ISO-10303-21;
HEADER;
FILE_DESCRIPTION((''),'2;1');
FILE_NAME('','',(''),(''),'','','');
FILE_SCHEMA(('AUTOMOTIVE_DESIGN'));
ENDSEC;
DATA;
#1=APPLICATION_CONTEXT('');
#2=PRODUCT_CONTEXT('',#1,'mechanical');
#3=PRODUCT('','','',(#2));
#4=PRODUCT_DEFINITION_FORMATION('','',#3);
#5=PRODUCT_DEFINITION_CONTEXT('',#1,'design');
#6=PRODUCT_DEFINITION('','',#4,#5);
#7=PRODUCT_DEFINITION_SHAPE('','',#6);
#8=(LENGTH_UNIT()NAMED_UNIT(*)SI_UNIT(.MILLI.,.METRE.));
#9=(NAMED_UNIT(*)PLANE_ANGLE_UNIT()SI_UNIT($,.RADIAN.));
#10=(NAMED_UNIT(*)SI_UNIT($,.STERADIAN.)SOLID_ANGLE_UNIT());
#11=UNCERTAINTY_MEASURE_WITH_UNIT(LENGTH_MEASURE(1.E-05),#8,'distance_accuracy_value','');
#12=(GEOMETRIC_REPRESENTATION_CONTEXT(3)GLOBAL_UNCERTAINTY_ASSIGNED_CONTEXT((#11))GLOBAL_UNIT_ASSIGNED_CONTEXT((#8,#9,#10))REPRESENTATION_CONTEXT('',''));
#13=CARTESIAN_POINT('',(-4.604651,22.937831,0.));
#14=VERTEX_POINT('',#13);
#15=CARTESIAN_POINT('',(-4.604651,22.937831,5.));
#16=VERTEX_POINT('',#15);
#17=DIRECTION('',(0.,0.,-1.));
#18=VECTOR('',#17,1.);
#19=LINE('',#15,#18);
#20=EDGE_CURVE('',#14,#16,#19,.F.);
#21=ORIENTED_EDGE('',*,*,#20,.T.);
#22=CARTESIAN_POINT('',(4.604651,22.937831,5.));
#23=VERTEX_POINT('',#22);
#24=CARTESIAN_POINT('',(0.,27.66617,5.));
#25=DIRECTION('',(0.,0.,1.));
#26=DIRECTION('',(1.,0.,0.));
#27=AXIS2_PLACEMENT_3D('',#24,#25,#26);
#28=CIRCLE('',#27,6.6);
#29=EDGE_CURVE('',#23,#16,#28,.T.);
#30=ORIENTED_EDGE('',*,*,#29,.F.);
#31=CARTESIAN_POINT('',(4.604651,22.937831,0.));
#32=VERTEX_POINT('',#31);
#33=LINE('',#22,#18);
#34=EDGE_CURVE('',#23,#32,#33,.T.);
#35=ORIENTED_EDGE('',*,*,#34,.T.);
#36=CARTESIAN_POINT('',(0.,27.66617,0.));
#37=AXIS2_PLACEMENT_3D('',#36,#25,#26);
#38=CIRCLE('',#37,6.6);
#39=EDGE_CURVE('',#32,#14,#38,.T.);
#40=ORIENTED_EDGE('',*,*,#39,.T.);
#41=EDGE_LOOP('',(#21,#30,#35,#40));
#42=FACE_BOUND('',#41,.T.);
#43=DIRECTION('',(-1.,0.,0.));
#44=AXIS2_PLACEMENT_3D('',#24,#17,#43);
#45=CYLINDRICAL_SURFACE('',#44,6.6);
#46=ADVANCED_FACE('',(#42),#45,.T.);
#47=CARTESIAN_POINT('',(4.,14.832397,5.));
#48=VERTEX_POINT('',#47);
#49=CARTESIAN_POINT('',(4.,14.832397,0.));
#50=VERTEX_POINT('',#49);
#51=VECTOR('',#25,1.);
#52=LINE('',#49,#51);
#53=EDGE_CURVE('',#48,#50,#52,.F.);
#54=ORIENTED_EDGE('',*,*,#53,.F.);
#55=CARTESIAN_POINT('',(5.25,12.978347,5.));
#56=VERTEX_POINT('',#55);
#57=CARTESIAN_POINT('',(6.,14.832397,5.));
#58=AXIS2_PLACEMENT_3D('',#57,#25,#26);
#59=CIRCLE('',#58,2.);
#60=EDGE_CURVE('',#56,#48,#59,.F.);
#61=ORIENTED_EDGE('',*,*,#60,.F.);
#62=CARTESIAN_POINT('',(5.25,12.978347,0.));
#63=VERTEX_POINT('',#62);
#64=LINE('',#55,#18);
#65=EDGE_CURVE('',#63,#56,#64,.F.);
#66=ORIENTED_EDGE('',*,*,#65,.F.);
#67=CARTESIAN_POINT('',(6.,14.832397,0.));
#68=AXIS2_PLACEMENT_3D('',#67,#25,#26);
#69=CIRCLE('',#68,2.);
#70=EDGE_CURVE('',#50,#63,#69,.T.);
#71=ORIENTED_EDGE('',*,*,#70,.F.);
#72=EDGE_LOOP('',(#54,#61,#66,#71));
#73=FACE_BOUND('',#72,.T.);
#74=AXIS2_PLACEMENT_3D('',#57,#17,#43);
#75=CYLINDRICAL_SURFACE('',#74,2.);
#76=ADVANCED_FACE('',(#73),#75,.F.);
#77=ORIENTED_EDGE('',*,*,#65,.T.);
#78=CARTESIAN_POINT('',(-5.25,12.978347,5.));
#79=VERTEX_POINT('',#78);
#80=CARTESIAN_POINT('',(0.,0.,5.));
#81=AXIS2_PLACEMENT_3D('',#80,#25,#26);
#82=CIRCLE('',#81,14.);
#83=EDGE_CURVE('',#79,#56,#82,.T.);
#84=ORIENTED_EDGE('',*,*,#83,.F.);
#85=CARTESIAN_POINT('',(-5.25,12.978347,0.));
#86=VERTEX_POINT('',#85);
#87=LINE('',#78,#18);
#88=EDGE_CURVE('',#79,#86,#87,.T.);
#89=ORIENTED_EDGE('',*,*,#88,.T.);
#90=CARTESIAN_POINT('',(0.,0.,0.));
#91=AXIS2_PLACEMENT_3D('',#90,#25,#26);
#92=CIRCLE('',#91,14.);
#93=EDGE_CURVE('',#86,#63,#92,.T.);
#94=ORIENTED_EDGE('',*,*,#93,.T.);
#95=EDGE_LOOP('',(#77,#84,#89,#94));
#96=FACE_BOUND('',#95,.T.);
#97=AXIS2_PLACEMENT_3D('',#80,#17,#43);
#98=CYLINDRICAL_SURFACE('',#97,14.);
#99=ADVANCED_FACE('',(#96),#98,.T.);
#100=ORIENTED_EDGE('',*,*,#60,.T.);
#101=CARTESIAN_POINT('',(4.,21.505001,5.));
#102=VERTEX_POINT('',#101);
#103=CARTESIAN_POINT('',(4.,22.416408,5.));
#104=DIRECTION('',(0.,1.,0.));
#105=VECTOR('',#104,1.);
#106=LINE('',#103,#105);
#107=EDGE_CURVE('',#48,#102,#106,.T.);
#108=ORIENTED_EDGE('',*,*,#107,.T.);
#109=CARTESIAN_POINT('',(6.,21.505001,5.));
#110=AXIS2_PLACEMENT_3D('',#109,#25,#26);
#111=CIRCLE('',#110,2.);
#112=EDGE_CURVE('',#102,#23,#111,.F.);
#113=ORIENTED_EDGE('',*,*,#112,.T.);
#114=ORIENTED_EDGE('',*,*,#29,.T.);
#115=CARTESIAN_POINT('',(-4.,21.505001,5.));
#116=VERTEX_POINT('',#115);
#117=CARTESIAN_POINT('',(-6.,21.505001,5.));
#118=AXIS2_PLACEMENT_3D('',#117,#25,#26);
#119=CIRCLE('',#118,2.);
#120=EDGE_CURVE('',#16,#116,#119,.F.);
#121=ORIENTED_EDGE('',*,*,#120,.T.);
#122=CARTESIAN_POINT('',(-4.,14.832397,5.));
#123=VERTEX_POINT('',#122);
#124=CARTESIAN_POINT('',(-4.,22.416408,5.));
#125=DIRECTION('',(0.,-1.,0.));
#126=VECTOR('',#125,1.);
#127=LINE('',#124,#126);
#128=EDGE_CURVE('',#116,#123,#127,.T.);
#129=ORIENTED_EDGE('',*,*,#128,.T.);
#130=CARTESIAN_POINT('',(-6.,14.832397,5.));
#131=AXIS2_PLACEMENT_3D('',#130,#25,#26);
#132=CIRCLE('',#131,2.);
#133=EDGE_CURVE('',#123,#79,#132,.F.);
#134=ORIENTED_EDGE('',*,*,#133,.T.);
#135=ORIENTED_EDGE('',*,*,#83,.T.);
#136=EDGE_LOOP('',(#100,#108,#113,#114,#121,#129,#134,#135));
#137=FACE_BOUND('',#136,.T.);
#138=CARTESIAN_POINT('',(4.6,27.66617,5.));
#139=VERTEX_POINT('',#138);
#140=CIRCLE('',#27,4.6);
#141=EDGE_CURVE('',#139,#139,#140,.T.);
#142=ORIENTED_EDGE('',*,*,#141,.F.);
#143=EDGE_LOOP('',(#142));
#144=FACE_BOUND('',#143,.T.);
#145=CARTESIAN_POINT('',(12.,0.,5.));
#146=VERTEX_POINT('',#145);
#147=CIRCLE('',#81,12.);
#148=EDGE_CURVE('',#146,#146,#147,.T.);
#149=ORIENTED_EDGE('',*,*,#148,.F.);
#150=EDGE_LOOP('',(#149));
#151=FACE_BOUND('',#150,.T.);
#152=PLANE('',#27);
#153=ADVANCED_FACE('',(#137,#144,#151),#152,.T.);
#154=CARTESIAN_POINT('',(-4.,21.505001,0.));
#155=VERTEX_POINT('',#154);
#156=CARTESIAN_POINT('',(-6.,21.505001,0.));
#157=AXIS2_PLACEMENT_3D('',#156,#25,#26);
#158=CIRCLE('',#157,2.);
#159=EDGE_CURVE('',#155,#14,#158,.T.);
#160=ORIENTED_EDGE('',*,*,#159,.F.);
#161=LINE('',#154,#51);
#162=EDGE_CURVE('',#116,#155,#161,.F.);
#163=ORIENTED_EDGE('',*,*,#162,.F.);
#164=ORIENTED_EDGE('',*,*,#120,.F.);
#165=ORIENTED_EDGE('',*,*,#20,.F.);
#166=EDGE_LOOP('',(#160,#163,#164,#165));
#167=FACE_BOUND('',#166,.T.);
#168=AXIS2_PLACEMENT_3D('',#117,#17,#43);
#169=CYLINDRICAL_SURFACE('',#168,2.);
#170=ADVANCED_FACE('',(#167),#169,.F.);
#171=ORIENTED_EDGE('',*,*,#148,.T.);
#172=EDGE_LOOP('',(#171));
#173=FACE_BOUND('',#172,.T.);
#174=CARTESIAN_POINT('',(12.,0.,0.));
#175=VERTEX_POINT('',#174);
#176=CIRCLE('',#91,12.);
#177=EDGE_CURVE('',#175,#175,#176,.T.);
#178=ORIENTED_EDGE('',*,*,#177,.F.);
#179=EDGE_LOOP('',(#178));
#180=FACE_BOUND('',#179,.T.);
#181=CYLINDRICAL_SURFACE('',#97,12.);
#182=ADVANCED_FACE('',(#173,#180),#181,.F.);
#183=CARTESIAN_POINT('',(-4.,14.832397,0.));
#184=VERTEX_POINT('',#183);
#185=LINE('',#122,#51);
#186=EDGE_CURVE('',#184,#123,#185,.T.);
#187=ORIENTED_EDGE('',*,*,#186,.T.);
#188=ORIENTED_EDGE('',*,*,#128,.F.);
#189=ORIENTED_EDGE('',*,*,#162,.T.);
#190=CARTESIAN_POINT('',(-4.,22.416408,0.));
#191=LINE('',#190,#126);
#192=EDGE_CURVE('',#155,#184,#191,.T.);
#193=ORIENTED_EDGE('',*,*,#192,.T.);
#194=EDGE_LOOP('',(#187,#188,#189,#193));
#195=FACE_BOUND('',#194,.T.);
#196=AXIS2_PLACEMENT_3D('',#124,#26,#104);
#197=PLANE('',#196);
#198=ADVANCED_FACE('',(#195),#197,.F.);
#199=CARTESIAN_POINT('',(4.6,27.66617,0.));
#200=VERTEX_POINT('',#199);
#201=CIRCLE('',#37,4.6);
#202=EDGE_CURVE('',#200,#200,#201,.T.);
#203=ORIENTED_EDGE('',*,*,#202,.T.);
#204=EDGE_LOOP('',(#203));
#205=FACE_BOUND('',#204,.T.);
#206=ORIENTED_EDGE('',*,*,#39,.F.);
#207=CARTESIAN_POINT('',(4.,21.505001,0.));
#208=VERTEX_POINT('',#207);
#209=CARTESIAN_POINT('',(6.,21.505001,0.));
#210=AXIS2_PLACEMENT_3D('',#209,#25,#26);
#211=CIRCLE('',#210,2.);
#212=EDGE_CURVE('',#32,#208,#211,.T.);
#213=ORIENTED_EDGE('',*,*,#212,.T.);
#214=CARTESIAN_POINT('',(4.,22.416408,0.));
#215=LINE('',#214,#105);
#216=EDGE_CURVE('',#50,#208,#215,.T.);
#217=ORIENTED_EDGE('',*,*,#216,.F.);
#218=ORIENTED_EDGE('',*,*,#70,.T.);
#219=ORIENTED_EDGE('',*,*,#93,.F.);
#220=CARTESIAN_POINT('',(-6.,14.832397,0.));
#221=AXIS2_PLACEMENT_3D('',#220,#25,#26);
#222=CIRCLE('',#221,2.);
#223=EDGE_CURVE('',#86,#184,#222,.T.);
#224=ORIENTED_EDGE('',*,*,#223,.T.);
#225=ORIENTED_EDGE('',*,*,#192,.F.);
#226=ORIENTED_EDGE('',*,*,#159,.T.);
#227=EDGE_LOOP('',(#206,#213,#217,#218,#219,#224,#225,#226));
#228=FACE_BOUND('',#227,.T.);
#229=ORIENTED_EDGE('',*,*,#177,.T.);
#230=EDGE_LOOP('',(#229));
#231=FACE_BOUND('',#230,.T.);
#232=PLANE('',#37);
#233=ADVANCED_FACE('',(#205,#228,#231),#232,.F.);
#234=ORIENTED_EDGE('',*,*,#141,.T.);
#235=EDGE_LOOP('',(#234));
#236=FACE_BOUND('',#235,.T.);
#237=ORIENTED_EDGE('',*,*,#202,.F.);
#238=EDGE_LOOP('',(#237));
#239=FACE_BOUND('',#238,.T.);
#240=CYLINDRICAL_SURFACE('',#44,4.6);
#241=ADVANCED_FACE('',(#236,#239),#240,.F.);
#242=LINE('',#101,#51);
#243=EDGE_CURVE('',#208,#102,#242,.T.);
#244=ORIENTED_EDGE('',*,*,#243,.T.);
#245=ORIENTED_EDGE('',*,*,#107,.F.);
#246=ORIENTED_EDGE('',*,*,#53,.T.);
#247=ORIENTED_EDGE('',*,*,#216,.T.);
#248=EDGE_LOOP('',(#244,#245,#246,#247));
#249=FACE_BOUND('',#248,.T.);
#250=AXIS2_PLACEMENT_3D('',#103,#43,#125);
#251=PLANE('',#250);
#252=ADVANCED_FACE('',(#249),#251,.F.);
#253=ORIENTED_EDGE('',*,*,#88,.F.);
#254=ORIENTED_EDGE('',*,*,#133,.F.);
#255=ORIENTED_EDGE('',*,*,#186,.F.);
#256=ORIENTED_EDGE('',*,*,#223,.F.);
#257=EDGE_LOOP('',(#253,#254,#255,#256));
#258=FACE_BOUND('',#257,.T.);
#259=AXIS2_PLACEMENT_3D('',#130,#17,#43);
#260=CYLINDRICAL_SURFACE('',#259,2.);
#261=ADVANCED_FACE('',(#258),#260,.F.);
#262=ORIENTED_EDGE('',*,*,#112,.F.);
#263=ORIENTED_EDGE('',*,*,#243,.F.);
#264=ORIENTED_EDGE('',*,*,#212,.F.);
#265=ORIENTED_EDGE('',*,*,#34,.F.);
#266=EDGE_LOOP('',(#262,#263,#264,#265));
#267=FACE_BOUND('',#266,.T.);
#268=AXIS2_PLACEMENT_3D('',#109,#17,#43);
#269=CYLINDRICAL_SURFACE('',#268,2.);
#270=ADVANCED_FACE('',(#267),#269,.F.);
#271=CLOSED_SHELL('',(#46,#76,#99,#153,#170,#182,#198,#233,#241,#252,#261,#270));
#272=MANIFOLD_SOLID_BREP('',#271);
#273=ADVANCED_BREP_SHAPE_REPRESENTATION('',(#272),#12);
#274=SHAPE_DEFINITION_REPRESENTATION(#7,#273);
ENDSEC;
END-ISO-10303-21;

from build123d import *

# Parameters (mm, degrees)
SKETCH1_R           = 12
SKETCH1_R_2         = 4.6
BOSS_EXTRUDE1_DEPTH = 5
FILLET1_R           = 2


with BuildPart() as part:
    # Sketch1 → Boss-Extrude1 (new body)
    with BuildSketch(Plane.XY):
        with BuildLine():
            Line((-4, 22.416407865), (-4, 13.416407865))
            ThreePointArc((-4, 13.416407865), (0, -14), (4, 13.416407865))
            Line((4, 13.416407865), (4, 22.416407865))
            ThreePointArc((4, 22.416407865), (0, 34.266169764), (-4, 22.416407865))
        make_face()
        Circle(SKETCH1_R, mode=Mode.SUBTRACT)
        with Locations((0, 27.666169764)):
            Circle(SKETCH1_R_2, mode=Mode.SUBTRACT)
    extrude(amount=BOSS_EXTRUDE1_DEPTH)

    # Fillet1
    fillet1_edges = [part.edges().sort_by_distance(p)[0] for p in [
        (4, 22.416407865, 2.5),
        (4, 13.416407865, 2.5),
        (-4, 13.416407865, 2.5),
        (-4, 22.416407865, 2.5),
    ]]
    fillet(fillet1_edges, radius=FILLET1_R)


solid = part.part
